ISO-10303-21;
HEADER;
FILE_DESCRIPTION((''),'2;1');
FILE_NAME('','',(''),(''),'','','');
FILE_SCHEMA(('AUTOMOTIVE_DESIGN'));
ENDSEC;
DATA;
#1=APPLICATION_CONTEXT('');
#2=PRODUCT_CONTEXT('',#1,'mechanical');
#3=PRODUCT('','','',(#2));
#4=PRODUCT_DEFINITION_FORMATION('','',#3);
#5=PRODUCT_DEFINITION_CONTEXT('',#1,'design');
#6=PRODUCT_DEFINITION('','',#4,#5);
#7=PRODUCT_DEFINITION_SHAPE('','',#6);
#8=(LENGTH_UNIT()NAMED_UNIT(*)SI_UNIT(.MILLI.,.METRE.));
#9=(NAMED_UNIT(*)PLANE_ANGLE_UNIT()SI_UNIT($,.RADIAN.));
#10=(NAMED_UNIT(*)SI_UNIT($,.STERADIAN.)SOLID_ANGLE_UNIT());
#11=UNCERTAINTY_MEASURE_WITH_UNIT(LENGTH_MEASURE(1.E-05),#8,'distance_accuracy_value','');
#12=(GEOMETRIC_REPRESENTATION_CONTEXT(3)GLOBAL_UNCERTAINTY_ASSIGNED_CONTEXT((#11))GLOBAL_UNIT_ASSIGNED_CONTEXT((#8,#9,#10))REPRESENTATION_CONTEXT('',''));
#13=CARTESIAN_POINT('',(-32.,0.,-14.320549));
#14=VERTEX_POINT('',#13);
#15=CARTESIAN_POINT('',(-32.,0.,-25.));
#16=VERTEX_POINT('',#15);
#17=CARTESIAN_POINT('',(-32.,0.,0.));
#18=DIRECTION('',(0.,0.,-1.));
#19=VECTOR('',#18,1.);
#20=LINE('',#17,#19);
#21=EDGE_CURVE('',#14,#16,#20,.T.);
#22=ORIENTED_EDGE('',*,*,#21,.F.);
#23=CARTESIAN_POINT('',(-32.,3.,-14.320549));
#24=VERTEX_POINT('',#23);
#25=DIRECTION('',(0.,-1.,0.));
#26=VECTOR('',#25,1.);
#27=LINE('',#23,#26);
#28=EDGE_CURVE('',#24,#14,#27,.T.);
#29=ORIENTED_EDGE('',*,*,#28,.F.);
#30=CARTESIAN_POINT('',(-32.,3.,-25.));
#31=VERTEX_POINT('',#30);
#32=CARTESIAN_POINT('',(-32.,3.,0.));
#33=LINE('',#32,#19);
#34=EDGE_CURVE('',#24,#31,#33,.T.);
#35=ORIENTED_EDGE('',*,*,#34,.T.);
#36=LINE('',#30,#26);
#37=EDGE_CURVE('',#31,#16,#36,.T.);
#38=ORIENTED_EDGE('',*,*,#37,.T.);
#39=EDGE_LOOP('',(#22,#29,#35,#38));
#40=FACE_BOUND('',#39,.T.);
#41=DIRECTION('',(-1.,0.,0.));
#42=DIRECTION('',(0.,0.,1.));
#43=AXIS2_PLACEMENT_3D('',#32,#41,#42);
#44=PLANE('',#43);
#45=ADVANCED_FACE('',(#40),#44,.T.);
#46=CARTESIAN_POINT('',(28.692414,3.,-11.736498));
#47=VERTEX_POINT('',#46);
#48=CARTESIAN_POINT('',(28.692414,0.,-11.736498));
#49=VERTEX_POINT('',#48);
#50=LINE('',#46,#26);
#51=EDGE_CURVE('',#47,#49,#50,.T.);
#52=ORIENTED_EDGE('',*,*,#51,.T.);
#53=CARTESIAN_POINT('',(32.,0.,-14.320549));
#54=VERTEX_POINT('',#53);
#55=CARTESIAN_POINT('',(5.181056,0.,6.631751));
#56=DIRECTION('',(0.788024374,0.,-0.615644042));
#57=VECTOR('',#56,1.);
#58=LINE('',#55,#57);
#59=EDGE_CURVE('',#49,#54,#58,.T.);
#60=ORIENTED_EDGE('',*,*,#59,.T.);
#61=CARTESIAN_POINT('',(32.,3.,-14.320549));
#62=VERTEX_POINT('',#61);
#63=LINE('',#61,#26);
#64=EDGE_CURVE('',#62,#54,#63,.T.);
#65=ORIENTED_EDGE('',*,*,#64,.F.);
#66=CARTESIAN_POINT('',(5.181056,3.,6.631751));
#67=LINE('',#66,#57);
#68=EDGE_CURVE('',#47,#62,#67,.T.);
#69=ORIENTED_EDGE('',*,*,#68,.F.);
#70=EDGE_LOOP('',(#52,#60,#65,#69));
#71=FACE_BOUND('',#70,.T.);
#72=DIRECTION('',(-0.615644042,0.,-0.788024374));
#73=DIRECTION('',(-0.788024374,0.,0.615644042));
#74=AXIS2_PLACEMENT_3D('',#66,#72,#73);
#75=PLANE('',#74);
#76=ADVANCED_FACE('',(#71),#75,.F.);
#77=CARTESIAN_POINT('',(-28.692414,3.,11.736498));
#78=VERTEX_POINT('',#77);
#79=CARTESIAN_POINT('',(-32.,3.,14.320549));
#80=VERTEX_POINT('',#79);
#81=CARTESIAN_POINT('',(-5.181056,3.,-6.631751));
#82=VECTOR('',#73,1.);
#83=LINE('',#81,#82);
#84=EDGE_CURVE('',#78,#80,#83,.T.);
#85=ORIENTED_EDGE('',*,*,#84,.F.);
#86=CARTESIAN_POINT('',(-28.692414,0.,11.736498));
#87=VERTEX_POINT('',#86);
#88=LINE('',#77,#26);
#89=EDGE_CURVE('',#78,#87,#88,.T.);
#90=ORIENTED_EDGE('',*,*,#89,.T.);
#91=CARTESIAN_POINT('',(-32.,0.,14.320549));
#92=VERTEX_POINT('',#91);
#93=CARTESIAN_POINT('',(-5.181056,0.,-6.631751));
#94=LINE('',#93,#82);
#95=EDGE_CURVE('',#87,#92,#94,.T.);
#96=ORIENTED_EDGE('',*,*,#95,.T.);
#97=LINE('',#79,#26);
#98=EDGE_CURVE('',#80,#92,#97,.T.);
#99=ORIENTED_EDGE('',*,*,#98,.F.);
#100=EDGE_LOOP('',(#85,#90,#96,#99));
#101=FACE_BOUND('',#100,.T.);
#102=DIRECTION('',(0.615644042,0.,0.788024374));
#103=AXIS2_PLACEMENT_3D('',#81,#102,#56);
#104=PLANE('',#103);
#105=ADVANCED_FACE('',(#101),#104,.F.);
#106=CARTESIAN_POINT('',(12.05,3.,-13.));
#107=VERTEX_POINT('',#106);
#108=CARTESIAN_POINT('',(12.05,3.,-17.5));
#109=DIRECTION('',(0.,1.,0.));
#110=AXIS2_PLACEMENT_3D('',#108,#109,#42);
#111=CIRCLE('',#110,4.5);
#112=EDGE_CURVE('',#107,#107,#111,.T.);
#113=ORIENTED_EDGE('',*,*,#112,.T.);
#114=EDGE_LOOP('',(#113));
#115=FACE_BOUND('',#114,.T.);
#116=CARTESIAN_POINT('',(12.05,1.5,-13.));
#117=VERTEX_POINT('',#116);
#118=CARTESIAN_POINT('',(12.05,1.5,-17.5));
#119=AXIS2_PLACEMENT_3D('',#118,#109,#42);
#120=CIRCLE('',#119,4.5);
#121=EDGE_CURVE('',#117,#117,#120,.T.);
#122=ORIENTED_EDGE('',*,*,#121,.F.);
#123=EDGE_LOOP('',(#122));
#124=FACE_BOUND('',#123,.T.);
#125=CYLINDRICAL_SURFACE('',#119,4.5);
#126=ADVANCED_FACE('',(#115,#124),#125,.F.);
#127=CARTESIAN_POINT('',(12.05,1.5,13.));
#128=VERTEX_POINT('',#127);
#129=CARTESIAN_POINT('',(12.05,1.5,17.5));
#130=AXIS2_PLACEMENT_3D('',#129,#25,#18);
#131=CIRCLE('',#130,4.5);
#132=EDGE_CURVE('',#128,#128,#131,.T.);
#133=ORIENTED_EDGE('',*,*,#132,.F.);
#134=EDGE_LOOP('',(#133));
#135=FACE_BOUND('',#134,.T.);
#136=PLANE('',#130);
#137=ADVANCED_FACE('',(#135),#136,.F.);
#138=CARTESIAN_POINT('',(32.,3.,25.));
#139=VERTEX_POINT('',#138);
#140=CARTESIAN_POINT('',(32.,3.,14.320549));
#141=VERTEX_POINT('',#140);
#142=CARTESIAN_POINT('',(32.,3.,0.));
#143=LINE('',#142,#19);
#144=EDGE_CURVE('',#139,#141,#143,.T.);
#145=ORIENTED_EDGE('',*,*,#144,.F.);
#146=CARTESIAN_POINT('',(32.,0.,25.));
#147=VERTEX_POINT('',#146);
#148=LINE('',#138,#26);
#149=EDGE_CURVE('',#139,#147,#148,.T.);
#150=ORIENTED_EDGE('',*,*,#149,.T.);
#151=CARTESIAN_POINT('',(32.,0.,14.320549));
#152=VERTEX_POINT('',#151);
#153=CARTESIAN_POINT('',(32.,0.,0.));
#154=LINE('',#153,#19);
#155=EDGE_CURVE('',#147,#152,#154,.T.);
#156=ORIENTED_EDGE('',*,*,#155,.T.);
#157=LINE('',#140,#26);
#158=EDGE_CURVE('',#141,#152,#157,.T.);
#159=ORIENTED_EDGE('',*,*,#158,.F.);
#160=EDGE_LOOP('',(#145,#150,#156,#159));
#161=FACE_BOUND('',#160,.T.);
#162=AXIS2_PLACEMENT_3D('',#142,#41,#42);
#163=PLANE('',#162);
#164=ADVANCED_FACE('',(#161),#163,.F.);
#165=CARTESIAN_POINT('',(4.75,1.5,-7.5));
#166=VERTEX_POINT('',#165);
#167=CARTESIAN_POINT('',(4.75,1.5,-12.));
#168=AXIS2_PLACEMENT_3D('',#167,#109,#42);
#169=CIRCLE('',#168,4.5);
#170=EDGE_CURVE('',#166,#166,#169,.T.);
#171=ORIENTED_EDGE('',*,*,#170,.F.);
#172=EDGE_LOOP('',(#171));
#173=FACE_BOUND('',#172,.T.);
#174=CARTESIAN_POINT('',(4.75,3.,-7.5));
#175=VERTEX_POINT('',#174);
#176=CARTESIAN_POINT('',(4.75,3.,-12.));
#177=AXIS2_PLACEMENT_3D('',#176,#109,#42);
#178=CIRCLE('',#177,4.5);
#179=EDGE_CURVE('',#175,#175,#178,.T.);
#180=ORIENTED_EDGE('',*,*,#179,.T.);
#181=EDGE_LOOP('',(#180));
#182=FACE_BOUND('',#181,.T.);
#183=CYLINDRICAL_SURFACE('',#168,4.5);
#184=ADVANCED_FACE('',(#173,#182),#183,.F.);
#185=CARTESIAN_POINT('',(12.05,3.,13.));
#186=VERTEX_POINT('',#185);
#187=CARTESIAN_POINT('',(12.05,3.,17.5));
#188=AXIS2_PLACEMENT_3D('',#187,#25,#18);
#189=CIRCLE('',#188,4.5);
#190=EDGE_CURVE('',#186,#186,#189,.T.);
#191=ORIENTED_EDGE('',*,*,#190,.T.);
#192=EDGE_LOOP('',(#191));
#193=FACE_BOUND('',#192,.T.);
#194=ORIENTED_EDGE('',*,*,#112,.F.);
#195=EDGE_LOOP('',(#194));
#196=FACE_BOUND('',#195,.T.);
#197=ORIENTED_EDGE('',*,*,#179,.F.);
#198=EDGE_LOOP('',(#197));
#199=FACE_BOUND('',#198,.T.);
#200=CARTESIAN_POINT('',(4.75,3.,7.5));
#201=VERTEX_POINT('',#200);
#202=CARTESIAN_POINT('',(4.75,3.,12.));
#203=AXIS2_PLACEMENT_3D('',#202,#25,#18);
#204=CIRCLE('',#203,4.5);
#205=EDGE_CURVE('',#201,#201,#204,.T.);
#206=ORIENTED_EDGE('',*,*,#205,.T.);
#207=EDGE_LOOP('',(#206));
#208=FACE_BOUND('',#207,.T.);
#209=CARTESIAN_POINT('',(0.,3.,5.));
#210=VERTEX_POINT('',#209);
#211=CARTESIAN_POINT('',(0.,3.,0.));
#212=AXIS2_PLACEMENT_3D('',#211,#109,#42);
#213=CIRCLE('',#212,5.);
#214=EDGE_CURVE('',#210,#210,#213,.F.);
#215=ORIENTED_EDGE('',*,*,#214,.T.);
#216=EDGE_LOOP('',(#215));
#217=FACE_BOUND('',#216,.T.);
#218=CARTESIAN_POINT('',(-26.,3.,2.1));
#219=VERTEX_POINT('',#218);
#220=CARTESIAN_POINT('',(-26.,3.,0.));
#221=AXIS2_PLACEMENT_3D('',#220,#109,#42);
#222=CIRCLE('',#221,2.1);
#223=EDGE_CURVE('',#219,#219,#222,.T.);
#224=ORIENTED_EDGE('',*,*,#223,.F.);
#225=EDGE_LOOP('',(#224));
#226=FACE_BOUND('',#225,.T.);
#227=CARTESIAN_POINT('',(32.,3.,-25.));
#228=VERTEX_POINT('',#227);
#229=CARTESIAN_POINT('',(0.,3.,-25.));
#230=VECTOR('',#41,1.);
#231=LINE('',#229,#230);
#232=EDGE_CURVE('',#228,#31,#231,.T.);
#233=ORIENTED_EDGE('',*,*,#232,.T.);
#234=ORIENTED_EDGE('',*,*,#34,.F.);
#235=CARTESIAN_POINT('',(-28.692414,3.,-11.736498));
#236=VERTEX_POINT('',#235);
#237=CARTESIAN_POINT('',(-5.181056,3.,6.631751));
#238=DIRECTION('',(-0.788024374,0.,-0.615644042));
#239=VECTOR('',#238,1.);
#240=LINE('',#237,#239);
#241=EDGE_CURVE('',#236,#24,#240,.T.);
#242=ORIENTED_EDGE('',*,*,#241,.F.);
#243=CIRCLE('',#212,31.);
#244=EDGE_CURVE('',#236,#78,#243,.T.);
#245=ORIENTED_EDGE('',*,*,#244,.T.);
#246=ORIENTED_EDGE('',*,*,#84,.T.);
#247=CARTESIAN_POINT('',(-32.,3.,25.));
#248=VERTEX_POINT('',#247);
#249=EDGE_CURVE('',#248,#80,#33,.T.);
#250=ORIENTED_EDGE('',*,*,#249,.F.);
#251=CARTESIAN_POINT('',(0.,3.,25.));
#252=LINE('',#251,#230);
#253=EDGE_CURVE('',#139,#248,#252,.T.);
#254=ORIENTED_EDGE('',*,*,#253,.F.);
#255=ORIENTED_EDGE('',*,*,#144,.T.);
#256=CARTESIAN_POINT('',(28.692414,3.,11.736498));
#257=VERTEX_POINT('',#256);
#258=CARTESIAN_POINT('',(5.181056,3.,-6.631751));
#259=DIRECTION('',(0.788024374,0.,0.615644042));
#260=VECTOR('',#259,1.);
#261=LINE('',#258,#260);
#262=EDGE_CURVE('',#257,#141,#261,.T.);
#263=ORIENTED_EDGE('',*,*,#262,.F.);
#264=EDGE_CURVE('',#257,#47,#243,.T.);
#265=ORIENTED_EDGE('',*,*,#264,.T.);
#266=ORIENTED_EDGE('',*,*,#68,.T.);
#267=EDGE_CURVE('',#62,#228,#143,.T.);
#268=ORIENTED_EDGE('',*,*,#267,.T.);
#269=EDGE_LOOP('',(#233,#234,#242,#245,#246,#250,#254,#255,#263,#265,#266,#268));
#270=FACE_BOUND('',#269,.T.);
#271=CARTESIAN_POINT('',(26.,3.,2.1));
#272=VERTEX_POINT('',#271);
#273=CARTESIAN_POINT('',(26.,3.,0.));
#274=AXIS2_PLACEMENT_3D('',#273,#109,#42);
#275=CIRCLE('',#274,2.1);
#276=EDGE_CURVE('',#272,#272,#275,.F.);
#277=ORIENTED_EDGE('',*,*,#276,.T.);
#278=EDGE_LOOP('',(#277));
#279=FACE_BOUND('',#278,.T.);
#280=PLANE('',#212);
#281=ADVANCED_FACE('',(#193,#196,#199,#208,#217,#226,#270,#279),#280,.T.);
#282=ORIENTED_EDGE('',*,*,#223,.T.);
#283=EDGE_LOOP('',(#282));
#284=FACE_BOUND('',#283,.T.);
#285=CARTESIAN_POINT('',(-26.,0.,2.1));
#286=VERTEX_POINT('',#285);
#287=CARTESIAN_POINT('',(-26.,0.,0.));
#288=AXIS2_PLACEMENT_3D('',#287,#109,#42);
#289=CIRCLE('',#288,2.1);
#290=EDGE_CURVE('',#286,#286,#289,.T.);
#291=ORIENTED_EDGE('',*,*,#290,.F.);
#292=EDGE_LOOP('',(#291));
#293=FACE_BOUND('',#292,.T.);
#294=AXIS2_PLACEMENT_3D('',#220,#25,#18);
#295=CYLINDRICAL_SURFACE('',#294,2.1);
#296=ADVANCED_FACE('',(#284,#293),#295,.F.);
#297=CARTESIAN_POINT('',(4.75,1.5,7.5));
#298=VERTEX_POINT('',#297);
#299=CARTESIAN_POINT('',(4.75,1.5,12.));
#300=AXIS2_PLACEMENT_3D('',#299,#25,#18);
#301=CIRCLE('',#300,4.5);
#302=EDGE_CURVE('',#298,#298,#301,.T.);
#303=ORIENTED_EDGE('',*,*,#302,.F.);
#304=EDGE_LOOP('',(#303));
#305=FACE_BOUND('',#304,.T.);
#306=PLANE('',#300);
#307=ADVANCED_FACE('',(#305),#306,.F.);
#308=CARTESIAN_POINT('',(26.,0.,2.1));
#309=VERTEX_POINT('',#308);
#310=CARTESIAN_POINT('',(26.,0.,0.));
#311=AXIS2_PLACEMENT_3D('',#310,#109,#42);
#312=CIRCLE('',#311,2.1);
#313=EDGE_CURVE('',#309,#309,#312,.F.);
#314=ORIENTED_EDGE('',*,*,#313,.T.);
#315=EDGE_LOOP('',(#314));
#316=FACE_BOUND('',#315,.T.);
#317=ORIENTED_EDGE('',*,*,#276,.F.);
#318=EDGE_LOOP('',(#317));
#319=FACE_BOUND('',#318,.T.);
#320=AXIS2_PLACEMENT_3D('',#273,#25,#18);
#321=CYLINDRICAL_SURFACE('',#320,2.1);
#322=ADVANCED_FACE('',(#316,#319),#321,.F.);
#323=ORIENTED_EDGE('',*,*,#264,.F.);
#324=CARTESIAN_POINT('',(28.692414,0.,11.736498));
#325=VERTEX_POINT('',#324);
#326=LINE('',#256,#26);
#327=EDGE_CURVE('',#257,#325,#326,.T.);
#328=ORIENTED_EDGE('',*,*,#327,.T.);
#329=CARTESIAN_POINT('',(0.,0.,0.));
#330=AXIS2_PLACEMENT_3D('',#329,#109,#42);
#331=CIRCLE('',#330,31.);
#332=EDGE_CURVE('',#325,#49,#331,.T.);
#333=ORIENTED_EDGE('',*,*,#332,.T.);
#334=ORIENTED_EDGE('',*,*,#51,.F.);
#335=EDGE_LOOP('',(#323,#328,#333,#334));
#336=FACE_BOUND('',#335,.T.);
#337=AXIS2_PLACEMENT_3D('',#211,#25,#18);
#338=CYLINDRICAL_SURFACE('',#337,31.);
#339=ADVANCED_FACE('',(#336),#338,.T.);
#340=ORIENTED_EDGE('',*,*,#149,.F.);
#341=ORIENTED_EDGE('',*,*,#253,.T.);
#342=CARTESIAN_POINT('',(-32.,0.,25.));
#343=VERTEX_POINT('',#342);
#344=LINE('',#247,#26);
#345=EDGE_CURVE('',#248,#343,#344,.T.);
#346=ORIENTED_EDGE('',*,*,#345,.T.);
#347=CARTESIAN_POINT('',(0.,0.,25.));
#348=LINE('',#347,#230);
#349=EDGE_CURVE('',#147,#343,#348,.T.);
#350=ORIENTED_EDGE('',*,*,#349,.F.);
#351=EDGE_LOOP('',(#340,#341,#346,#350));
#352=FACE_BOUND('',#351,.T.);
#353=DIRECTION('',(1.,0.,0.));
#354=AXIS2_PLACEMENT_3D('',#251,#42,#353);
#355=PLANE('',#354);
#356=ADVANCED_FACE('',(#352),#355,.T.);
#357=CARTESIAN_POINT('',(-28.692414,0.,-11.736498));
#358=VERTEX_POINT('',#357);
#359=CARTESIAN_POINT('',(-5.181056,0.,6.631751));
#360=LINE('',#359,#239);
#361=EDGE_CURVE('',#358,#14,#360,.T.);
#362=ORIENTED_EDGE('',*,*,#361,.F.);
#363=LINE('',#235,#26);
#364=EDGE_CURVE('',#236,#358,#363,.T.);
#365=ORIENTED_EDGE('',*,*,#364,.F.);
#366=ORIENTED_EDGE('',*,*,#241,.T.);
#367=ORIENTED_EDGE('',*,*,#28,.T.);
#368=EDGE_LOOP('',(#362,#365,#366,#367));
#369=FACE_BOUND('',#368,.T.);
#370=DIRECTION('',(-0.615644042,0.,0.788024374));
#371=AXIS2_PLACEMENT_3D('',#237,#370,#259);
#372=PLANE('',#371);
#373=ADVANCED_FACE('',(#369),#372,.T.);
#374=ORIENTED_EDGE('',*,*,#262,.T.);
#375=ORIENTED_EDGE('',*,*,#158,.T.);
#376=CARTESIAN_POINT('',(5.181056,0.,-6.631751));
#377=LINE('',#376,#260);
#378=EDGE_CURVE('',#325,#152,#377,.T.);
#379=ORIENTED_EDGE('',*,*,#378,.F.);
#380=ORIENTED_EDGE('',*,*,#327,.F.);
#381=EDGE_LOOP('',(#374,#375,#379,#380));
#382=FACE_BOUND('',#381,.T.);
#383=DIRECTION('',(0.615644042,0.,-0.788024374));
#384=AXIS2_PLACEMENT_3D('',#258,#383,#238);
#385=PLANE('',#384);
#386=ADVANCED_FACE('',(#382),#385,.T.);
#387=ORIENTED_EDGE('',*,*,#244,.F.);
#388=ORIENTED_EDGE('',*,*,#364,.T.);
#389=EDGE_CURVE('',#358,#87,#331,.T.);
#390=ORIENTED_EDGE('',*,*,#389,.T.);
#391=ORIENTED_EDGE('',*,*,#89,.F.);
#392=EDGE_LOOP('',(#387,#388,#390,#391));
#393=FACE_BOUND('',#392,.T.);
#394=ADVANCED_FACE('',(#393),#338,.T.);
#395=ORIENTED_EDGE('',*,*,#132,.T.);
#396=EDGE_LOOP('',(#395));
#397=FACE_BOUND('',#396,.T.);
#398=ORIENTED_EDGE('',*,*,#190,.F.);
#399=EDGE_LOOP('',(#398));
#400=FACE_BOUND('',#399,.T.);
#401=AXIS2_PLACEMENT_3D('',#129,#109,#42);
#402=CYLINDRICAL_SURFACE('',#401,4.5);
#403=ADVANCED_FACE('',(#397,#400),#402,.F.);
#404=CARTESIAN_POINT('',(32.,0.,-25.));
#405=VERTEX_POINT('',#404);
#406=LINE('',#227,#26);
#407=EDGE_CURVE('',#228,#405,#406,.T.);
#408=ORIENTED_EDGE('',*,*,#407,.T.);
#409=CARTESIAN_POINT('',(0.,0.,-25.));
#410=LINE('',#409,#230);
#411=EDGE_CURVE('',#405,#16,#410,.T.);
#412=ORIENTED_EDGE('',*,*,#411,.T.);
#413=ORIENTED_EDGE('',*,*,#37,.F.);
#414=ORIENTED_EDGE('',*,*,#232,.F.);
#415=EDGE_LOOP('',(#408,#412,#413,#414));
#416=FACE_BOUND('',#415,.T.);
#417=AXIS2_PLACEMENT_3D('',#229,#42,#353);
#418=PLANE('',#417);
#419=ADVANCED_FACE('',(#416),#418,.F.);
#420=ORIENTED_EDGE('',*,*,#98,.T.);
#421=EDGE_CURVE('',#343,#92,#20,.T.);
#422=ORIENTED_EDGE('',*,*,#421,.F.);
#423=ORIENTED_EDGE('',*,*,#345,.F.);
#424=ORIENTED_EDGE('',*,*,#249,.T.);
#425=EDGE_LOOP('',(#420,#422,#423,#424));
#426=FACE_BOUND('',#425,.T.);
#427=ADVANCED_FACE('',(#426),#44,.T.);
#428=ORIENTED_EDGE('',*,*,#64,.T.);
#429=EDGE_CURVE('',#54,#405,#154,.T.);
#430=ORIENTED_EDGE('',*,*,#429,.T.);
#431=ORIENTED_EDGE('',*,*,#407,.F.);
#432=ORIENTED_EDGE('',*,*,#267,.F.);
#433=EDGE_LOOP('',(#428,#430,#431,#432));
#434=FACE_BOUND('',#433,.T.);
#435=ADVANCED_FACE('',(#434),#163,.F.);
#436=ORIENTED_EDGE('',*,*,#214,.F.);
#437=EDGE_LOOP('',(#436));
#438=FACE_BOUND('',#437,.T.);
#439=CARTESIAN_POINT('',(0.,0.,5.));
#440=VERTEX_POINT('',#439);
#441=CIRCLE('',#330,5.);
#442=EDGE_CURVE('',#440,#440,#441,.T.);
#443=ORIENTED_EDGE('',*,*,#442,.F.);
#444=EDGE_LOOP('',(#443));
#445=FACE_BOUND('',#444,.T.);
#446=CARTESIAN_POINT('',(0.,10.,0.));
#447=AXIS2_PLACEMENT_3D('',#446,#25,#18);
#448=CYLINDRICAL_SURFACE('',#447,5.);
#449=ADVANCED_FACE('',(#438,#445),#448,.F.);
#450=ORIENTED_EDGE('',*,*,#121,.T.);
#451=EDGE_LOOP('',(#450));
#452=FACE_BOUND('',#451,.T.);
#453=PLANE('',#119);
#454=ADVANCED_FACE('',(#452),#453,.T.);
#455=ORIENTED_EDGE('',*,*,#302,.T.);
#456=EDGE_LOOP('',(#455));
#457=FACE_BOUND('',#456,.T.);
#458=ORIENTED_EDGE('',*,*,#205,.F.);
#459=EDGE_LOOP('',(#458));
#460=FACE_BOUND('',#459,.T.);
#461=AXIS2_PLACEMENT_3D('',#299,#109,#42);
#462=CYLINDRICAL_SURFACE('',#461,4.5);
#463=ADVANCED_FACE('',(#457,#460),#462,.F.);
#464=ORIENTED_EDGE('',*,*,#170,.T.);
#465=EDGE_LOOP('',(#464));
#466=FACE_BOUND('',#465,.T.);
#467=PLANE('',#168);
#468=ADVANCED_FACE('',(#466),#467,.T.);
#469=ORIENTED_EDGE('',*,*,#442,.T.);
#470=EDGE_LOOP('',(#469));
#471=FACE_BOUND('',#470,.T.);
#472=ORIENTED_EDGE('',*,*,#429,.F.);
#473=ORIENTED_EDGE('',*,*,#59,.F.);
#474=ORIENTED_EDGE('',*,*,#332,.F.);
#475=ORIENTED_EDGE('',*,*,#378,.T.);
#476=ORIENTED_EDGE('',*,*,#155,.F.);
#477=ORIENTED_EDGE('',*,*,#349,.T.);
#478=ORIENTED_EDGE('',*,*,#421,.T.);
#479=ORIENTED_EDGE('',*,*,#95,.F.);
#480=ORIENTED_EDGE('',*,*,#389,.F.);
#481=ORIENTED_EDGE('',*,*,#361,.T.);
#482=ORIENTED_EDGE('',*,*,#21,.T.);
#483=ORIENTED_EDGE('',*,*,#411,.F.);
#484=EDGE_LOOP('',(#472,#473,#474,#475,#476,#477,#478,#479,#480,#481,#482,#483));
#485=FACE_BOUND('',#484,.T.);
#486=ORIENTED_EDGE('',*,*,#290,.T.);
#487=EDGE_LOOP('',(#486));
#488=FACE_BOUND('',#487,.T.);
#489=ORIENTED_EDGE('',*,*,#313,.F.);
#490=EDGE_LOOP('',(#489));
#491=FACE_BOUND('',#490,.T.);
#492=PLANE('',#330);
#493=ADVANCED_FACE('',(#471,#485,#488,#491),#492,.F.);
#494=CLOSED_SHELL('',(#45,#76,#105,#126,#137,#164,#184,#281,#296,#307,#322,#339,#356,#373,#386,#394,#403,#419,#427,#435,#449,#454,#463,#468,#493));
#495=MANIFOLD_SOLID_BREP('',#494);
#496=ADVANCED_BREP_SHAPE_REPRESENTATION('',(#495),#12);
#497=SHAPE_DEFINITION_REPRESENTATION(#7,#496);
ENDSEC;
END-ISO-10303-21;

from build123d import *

# Parameters (mm, degrees)
SKETCH1_R           = 2.1
BOSS_EXTRUDE2_DEPTH = 3
SKETCH1_14_R        = 5
CUT_EXTRUDE2_DEPTH  = 10
SKETCH2_R           = 4.5
CUT_EXTRUDE3_DEPTH  = 1.5


with BuildPart() as part:
    # Sketch1 → Boss-Extrude2 (new body)
    with BuildSketch(Plane(origin=(0, 0, 0), x_dir=(1, 0, 0), z_dir=(0, 1, 0))):
        with BuildLine():
            Line((32, -25), (32, -14.320549047))
            Line((32, -14.320549047), (28.692414075, -11.736497543))
            ThreePointArc((28.692414075, -11.736497543), (31, 0), (28.692414075, 11.736497543))
            Line((28.692414075, 11.736497543), (32, 14.320549047))
            Line((32, 14.320549047), (32, 25))
            Line((32, 25), (-32, 25))
            Line((-32, 25), (-32, 14.320549047))
            Line((-32, 14.320549047), (-28.692414075, 11.736497543))
            ThreePointArc((-28.692414075, 11.736497543), (-31, 0), (-28.692414075, -11.736497543))
            Line((-28.692414075, -11.736497543), (-32, -14.320549047))
            Line((-32, -14.320549047), (-32, -25))
            Line((-32, -25), (32, -25))
        make_face()
        with Locations((26, 0)):
            Circle(SKETCH1_R, mode=Mode.SUBTRACT)
        with Locations((-26, 0)):
            Circle(SKETCH1_R, mode=Mode.SUBTRACT)
    extrude(amount=BOSS_EXTRUDE2_DEPTH)

    # Sketch1<14> → Cut-Extrude2 (cut)
    with BuildSketch(Plane(origin=(0, 0, 0), x_dir=(1, 0, 0), z_dir=(0, 1, 0))):
        Circle(SKETCH1_14_R)
    extrude(amount=CUT_EXTRUDE2_DEPTH, mode=Mode.SUBTRACT)

    # Sketch2 → Cut-Extrude3 (cut)
    with BuildSketch(Plane(origin=(0, 3, 0), x_dir=(1, 0, 0), z_dir=(0, 1, 0))):
        with Locations((4.75, 12)):
            Circle(SKETCH2_R)
        with Locations((12.05, 17.5)):
            Circle(SKETCH2_R)
        with Locations((4.75, -12)):
            Circle(SKETCH2_R)
        with Locations((12.05, -17.5)):
            Circle(SKETCH2_R)
    extrude(amount=-CUT_EXTRUDE3_DEPTH, mode=Mode.SUBTRACT)


solid = part.part
